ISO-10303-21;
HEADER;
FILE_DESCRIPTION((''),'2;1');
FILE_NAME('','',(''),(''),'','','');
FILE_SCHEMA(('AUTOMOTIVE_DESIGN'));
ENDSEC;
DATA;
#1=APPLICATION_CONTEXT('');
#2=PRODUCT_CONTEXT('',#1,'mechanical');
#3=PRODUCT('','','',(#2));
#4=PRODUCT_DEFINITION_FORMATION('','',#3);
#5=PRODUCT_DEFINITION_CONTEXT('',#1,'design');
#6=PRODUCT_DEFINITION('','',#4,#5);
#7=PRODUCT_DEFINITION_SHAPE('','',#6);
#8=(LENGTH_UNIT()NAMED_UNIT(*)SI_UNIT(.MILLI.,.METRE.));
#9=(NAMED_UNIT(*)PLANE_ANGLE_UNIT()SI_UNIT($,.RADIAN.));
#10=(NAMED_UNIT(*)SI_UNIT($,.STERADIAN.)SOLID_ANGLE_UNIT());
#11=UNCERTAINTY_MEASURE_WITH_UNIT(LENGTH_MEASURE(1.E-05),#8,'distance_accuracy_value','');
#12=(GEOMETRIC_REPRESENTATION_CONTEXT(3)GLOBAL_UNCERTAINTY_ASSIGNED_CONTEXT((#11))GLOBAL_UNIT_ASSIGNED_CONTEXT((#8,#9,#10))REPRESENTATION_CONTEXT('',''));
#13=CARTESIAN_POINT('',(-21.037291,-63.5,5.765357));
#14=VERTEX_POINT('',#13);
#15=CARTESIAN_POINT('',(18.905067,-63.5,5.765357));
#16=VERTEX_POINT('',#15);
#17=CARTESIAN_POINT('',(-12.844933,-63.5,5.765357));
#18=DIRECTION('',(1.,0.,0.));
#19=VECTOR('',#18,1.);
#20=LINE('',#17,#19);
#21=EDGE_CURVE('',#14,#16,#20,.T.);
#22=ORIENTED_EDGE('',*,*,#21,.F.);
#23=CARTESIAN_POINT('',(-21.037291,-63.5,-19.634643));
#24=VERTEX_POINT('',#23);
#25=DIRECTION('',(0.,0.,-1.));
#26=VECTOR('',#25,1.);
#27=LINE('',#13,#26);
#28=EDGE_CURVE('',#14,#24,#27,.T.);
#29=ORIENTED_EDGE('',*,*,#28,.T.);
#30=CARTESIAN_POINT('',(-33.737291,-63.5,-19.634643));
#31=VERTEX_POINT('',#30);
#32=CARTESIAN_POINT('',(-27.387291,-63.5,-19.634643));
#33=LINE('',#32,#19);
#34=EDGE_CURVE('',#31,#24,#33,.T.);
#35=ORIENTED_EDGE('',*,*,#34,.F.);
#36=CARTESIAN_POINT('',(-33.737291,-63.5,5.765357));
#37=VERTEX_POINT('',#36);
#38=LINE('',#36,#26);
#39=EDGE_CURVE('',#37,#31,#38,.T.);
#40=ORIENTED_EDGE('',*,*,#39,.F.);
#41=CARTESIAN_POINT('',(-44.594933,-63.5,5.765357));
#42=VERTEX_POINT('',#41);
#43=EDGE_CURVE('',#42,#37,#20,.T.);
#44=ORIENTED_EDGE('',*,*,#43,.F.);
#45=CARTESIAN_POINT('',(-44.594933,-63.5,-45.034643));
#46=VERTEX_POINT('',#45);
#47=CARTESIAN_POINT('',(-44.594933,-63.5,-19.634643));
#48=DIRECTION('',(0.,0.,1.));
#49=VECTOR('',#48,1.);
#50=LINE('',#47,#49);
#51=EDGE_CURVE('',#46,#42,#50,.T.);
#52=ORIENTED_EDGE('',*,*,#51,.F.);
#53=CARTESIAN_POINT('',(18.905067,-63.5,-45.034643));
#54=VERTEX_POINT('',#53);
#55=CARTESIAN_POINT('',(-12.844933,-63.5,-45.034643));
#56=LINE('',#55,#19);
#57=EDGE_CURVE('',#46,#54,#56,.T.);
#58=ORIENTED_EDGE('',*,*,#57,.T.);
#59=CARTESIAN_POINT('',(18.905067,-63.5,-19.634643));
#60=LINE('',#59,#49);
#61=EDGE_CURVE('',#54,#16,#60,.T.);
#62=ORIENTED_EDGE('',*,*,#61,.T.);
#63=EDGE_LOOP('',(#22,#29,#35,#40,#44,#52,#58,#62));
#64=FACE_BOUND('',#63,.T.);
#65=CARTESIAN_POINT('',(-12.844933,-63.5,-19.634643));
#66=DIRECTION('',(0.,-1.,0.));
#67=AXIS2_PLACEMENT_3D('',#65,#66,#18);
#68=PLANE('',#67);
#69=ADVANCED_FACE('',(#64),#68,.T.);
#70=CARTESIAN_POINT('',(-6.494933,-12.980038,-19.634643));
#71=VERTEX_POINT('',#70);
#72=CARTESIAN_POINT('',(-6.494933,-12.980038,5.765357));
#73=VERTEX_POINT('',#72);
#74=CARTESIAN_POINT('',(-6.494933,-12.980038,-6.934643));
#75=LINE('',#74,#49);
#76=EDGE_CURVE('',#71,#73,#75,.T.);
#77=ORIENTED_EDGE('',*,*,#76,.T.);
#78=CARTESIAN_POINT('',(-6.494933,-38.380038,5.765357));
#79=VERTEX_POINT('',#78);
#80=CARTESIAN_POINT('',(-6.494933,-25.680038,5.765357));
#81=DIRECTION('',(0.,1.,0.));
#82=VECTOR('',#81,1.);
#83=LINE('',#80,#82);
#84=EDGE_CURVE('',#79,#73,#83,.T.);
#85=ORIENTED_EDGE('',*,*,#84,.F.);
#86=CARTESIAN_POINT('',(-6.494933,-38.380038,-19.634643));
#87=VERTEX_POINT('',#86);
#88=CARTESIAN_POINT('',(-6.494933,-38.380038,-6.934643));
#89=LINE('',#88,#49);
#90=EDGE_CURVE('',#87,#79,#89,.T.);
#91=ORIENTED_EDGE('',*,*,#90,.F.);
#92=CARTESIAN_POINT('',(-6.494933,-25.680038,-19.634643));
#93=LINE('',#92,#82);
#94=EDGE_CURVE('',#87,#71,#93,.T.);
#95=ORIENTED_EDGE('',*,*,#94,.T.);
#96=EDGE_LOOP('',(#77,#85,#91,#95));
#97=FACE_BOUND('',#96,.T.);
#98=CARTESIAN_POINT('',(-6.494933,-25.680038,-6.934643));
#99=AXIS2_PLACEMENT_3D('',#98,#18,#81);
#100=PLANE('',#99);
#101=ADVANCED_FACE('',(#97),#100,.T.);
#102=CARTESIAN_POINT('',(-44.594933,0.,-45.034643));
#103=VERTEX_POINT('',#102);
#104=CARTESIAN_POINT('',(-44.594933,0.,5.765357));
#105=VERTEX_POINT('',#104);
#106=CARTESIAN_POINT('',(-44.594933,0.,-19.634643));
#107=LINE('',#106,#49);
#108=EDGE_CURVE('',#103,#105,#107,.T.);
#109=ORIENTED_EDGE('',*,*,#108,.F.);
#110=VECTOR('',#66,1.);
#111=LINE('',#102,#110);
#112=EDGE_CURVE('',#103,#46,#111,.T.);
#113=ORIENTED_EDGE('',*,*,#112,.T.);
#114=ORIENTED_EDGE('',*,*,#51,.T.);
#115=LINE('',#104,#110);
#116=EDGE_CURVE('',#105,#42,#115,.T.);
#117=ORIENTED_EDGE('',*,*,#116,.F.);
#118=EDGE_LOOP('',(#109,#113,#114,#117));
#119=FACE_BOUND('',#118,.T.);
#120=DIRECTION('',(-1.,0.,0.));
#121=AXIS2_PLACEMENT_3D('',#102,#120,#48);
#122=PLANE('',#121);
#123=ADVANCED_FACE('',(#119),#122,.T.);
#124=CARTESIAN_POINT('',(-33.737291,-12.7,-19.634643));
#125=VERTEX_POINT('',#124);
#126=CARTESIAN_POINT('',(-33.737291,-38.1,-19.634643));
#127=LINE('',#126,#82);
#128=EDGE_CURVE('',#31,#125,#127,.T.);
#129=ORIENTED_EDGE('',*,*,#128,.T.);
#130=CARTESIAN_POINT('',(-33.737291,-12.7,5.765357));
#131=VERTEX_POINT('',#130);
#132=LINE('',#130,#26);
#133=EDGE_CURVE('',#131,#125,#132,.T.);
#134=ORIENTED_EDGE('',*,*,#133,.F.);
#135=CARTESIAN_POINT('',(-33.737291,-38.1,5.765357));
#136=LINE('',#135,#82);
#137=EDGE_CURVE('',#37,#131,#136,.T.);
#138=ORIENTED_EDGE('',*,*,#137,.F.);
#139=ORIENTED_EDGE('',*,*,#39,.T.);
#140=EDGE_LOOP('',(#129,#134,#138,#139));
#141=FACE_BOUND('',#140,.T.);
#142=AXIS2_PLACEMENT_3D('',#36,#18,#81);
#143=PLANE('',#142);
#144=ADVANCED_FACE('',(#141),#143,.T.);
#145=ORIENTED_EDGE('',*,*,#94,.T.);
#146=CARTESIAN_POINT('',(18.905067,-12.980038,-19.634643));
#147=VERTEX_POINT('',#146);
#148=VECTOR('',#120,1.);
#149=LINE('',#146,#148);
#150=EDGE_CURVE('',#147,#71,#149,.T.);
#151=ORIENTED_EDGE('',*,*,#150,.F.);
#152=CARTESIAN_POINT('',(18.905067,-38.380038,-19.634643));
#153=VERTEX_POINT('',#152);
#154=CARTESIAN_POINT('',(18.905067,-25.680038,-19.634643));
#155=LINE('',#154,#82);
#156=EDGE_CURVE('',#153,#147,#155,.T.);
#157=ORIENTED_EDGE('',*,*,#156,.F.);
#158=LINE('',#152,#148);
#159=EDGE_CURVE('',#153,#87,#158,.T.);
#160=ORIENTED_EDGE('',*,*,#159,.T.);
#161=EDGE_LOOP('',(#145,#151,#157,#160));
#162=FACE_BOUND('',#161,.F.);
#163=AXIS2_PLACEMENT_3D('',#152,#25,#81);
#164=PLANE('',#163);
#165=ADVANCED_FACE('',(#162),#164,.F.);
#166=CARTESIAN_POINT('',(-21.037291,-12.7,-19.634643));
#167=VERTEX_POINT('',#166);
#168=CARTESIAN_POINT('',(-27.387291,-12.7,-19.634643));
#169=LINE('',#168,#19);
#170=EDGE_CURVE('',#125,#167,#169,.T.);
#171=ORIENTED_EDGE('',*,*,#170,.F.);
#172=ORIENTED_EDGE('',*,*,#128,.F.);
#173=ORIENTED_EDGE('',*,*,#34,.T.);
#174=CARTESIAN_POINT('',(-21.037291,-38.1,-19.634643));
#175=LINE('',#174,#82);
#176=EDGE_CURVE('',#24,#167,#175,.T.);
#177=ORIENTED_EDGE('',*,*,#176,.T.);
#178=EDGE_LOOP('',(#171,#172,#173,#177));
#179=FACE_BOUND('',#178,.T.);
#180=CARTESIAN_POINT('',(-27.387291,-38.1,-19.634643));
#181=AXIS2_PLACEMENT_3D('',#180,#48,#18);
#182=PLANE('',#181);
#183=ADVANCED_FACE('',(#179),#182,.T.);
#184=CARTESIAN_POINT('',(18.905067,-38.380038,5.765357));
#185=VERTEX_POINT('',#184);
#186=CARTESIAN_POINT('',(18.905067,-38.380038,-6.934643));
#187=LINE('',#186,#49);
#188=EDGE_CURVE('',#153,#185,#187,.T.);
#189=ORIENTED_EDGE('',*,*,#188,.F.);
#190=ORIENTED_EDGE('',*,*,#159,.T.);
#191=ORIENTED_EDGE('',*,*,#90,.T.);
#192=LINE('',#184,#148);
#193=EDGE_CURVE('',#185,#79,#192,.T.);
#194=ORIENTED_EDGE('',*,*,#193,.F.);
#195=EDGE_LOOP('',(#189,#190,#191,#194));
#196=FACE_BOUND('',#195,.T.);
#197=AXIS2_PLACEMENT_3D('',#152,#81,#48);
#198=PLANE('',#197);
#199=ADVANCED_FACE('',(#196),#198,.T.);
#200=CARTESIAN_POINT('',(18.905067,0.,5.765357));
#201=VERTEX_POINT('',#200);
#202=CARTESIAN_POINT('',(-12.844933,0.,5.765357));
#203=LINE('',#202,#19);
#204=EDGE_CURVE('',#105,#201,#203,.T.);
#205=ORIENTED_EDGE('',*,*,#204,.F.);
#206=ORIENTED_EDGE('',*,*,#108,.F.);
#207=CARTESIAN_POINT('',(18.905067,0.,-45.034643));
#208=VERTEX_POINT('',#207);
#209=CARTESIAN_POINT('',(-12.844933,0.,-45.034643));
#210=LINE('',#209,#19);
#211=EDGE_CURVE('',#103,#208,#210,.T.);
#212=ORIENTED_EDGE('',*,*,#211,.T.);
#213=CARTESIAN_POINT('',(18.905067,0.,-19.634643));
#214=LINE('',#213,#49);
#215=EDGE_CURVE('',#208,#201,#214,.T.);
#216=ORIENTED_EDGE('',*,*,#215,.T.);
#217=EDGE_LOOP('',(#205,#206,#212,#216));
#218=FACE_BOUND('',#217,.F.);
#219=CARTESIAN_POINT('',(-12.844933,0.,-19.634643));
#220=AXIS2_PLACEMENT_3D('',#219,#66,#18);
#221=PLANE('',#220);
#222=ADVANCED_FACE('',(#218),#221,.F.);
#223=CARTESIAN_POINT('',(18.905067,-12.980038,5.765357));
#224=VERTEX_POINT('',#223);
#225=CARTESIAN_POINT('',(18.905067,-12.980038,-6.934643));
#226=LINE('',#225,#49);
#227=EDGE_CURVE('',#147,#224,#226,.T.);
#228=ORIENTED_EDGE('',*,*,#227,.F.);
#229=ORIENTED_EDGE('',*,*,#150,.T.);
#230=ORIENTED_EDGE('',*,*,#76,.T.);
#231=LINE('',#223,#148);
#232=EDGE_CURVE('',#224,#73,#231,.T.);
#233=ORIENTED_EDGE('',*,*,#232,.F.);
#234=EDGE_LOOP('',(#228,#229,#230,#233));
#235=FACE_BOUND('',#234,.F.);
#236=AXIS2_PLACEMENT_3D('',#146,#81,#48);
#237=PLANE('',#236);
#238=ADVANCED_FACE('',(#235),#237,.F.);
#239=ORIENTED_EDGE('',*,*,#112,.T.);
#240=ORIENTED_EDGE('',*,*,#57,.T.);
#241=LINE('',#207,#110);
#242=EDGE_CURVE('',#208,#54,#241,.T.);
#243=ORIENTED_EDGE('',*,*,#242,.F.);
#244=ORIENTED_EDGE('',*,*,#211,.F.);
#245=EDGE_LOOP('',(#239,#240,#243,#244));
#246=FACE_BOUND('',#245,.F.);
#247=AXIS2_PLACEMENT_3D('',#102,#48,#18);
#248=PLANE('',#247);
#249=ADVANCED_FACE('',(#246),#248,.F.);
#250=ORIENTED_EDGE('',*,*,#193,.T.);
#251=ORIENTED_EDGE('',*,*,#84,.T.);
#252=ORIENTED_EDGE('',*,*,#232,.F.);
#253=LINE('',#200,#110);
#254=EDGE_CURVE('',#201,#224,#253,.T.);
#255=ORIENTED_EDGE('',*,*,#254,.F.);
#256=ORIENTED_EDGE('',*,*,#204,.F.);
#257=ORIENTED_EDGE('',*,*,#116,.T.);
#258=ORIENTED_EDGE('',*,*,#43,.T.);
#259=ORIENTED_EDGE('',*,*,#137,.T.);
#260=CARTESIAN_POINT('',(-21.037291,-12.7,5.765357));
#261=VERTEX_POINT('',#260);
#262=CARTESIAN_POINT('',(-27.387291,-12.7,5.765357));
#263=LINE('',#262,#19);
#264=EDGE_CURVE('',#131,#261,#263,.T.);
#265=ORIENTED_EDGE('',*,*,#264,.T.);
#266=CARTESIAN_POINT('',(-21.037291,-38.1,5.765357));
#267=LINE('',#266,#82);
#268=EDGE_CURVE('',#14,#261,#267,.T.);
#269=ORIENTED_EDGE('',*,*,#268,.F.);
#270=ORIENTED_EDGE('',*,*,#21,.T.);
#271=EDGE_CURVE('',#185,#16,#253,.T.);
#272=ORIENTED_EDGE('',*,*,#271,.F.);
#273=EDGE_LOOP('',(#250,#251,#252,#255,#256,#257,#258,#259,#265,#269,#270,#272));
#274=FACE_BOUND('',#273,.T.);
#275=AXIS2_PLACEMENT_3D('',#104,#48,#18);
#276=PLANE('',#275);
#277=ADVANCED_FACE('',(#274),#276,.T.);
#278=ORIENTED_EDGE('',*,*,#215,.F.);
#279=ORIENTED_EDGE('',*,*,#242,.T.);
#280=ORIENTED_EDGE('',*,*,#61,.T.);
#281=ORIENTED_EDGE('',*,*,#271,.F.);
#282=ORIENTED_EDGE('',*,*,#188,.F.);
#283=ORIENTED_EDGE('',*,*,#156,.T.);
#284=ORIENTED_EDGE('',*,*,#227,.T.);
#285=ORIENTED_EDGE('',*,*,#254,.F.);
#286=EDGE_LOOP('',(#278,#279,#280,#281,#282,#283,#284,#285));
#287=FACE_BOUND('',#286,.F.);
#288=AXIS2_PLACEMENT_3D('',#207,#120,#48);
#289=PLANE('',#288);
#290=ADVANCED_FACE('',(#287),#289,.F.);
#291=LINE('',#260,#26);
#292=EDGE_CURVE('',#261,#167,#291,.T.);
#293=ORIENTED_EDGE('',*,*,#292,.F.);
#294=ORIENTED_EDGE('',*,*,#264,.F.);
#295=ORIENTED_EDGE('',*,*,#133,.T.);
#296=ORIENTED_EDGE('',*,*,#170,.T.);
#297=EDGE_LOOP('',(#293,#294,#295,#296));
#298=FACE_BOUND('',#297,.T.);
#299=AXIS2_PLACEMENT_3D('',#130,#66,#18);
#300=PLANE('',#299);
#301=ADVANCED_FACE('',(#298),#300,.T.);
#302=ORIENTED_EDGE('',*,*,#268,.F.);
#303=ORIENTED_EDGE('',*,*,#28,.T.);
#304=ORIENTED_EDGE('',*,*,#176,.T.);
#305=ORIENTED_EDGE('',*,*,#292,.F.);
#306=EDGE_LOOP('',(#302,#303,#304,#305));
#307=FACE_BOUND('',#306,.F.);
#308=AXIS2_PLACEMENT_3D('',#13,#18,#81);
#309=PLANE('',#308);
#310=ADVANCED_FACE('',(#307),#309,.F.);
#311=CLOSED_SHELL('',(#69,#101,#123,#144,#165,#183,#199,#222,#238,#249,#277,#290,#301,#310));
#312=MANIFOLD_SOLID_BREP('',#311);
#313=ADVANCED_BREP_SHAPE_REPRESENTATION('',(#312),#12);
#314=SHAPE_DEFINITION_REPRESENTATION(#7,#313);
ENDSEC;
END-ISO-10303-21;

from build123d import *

# Parameters (mm, degrees)
F0_W     = 63.5
F0_H     = 50.8
F1_DEPTH = 63.5
F2_W     = 12.7
F2_H     = 50.8
F3_DEPTH = 25.4
F4_W     = 25.4
F4_H     = 25.4
F5_DEPTH = 25.4


with BuildPart() as f1:
    # F0 (on Front) → F1 (new body)
    with BuildSketch(Plane.XZ):
        with Locations((-12.844933, -19.634643)):
            Rectangle(F0_W, F0_H)
    extrude(amount=F1_DEPTH)

    # F2 (on face) → F3 (cut)
    with BuildSketch(Plane.XY.offset(5.765357)):
        with Locations((-27.387291, -38.1)):
            Rectangle(F2_W, F2_H)
    extrude(amount=-F3_DEPTH, mode=Mode.SUBTRACT)

    # F4 (on face) → F5 (cut)
    with BuildSketch(Plane.YZ.offset(18.905067)):
        with Locations((-25.680038, -6.934643)):
            Rectangle(F4_W, F4_H)
    extrude(amount=-F5_DEPTH, mode=Mode.SUBTRACT)


solid = f1.part
